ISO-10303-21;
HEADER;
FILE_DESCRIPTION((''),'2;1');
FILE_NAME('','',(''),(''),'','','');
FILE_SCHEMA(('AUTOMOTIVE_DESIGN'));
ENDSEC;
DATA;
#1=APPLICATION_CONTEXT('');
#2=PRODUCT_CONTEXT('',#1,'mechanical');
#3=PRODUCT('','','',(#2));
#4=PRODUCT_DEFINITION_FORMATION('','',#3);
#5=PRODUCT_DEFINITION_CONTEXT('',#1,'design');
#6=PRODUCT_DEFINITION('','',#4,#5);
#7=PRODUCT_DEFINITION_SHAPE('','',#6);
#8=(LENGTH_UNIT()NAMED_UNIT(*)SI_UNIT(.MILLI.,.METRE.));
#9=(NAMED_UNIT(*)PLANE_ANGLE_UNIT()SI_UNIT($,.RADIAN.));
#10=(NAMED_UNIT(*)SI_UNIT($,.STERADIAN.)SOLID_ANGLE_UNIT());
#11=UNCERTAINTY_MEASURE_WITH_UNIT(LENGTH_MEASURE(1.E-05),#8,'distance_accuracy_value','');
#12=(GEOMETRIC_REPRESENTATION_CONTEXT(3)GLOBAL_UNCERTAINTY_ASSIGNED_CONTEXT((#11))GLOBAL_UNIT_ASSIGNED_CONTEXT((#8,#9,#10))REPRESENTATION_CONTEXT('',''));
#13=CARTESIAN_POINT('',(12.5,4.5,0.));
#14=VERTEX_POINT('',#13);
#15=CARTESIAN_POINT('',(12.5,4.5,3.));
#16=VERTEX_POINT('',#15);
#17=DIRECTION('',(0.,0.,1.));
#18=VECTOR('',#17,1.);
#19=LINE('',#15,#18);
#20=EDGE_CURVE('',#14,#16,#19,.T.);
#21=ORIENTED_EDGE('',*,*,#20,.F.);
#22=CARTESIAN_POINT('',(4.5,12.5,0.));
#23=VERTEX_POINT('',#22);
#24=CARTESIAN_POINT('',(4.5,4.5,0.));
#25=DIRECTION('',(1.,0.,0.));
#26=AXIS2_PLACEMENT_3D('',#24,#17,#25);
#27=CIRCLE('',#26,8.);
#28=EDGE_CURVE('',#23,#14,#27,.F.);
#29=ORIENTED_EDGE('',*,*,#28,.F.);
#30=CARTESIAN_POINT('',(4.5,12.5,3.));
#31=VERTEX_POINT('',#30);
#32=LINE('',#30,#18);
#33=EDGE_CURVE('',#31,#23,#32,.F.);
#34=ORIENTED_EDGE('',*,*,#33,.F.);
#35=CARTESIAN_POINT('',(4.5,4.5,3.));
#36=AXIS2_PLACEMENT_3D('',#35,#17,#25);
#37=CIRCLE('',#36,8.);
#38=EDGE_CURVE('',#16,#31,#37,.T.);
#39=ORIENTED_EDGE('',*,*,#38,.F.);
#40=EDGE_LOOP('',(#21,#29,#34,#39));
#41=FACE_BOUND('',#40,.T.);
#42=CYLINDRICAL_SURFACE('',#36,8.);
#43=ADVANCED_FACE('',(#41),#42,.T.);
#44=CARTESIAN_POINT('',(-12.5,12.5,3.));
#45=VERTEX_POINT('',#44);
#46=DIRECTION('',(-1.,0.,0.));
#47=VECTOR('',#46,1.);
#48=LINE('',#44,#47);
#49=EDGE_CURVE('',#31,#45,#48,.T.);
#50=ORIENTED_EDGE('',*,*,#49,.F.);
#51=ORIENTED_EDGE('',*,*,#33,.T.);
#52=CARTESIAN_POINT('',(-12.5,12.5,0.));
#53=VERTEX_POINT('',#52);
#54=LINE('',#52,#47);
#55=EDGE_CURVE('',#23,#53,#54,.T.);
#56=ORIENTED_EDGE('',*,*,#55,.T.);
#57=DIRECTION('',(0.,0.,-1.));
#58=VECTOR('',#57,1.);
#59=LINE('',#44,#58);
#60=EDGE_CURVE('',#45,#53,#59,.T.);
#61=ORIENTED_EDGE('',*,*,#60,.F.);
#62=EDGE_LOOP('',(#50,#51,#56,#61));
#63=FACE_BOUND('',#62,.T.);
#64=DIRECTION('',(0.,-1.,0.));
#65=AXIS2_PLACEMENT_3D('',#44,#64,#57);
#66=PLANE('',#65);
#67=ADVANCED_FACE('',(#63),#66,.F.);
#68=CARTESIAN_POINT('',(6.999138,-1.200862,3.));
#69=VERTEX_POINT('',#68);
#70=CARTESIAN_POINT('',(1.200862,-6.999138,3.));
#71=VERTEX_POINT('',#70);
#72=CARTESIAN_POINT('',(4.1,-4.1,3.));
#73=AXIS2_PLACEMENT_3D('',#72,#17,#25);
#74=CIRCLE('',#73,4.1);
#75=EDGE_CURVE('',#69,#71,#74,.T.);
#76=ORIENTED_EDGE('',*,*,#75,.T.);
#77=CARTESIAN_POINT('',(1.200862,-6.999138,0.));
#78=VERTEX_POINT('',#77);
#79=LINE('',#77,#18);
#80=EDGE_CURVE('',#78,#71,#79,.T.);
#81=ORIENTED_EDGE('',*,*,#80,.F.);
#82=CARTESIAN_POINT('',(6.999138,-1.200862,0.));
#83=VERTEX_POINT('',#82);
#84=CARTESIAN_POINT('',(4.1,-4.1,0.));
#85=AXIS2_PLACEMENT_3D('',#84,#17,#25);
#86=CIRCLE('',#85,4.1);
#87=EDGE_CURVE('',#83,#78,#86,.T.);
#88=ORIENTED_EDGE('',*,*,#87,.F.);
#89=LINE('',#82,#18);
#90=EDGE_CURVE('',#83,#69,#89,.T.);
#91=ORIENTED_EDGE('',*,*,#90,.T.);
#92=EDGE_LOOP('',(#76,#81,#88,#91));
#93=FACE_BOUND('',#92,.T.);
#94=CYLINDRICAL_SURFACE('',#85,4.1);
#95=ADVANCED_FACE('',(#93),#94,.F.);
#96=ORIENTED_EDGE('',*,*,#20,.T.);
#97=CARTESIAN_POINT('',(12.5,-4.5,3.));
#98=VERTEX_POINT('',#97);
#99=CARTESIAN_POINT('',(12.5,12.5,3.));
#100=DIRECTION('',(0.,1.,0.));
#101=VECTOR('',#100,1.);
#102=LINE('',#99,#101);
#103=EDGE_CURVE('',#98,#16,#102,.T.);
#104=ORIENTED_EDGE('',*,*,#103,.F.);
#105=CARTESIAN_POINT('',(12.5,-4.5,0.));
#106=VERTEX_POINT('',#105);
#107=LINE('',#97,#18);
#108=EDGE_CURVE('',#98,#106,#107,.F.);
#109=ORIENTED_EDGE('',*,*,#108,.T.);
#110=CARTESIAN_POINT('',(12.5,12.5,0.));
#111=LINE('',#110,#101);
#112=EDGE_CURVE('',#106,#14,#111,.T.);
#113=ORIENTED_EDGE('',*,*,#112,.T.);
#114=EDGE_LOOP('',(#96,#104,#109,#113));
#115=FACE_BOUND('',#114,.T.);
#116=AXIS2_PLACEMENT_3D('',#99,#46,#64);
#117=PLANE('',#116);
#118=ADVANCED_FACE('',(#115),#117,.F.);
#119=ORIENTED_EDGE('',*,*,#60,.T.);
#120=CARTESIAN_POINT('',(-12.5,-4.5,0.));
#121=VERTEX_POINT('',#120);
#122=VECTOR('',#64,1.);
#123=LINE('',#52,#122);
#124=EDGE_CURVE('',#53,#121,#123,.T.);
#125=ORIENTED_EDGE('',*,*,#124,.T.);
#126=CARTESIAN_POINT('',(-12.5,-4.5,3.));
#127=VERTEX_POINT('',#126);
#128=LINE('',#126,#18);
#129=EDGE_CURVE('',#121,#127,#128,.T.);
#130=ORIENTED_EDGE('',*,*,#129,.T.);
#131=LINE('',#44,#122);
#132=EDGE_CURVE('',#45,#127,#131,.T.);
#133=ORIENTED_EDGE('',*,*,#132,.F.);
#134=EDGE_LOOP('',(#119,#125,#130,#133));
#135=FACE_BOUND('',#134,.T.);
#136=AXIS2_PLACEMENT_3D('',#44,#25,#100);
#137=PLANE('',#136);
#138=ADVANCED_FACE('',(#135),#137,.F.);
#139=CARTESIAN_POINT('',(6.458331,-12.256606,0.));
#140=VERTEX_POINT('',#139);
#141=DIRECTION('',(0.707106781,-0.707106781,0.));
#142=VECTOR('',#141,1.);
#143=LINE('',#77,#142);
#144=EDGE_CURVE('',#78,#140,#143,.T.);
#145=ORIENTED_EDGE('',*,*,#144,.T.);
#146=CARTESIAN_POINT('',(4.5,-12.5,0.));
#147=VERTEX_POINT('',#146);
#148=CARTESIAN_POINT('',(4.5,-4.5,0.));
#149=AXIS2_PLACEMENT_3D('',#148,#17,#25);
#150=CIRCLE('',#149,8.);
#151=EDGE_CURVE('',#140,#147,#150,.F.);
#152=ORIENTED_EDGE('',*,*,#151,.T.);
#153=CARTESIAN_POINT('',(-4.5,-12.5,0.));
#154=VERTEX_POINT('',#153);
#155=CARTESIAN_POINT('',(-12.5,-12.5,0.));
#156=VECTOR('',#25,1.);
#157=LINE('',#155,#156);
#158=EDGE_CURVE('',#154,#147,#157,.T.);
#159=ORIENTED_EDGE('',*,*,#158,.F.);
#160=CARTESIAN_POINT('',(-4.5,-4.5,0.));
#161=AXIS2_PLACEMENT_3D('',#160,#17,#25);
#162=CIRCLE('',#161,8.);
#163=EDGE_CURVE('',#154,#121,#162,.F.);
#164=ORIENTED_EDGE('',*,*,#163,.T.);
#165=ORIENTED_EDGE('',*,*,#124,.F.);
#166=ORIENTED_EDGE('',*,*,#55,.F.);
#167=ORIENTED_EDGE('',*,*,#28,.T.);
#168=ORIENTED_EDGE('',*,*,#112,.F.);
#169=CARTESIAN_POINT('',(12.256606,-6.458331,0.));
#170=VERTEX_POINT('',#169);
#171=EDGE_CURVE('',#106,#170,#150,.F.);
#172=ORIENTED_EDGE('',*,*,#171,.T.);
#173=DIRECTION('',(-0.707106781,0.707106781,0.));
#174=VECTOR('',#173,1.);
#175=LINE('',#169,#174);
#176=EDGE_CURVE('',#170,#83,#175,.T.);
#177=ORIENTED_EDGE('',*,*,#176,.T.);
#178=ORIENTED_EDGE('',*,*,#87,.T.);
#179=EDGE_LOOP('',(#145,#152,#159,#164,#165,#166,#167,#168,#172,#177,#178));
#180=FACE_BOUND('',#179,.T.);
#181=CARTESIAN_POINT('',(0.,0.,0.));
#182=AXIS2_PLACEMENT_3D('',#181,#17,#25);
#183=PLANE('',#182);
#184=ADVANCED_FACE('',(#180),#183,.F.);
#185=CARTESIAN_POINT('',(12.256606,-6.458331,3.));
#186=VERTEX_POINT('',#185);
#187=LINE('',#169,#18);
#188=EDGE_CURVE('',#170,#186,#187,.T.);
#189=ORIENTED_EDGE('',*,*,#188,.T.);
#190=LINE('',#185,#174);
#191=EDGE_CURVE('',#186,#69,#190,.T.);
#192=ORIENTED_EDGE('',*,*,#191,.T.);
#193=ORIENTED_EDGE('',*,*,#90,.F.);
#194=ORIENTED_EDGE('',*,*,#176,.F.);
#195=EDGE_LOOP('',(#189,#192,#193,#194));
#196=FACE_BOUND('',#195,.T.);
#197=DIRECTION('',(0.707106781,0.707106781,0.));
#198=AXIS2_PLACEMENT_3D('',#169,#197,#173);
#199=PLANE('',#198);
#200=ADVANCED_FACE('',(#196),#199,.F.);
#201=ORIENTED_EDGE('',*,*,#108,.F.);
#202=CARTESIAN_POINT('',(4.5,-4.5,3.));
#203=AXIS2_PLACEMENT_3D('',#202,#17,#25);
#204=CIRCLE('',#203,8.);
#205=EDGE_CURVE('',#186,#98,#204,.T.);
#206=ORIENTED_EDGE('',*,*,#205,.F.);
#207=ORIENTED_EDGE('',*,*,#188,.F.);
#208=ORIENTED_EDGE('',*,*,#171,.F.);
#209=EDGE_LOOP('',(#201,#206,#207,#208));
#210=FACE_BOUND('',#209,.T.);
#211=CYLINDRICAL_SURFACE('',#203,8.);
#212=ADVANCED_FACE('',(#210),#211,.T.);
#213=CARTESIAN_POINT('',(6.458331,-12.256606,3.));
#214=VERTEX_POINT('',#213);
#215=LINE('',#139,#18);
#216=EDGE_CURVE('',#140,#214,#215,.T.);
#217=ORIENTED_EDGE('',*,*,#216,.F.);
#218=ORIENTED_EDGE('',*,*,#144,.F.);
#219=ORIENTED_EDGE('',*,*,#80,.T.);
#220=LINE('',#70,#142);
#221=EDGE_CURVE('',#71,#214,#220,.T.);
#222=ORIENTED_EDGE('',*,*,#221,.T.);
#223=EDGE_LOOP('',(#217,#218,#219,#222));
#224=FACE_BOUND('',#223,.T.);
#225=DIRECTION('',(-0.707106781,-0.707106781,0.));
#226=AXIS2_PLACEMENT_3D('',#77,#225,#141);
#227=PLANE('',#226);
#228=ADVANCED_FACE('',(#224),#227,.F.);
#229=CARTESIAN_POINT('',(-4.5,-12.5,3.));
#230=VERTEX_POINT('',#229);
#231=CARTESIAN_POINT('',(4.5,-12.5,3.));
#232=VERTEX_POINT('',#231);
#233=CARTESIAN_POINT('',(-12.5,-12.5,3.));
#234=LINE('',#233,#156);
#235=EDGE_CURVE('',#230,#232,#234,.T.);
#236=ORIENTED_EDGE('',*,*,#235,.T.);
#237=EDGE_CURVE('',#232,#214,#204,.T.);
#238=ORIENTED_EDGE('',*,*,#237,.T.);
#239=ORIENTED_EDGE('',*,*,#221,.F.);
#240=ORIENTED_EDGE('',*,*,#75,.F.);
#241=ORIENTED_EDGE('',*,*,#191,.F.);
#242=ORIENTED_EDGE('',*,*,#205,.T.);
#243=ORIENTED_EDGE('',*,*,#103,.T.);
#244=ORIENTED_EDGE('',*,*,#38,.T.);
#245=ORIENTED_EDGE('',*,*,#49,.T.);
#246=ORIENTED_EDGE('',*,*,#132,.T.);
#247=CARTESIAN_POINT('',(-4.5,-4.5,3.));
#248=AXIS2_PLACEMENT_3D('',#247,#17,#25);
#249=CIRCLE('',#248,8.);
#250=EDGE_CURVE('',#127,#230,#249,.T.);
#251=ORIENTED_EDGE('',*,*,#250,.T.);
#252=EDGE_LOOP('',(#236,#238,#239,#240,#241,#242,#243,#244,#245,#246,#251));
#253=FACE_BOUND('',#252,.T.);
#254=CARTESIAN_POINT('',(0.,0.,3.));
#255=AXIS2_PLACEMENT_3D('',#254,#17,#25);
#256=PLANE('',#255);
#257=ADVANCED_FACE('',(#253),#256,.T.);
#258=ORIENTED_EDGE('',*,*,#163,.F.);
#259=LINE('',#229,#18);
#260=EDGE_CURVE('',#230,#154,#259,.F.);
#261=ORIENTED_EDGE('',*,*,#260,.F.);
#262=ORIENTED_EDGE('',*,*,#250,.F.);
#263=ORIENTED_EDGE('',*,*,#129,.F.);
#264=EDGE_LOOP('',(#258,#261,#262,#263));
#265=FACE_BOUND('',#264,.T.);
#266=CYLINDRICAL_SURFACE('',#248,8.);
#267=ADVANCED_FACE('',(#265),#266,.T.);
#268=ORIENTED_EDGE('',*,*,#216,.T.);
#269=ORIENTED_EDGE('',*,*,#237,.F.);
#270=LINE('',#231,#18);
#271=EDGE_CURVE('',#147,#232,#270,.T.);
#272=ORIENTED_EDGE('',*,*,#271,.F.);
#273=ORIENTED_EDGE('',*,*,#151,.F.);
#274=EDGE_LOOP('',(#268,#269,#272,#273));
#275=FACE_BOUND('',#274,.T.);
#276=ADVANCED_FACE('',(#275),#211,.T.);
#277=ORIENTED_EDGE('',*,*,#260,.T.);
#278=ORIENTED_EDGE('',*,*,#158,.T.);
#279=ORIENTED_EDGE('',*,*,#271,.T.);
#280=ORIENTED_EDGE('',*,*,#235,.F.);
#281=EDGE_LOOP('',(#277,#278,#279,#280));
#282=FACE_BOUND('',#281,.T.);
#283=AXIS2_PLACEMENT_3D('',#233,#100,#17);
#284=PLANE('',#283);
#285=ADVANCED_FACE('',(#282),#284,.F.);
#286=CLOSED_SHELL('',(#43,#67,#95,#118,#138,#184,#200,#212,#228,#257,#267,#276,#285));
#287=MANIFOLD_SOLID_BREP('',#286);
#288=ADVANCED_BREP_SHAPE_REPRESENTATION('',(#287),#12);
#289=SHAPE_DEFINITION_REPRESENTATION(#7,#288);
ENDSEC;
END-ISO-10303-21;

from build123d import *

# Parameters (mm, degrees)
SKETCH_1_W          = 25
SKETCH_1_H          = 25
EXTRUDE_1_DEPTH     = 3
FILLET_1_R          = 8
FILLET_2_R          = 8
FILLET_3_R          = 8
SKETCH_2_R          = 4.1
CUT_EXTRUDE_1_DEPTH = 3
CUT_EXTRUDE_2_DEPTH = 3


with BuildPart() as part:
    # 草图1 → 凸台-拉伸1 (new body)
    with BuildSketch(Plane.XY):
        Rectangle(SKETCH_1_W, SKETCH_1_H)
    extrude(amount=EXTRUDE_1_DEPTH)

    # 圆角1
    fillet_1_edges = [part.edges().sort_by_distance(p)[0] for p in [
        (-12.5, -12.5, 1.5),
    ]]
    fillet(fillet_1_edges, radius=FILLET_1_R)

    # 圆角2
    fillet_2_edges = [part.edges().sort_by_distance(p)[0] for p in [
        (12.5, -12.5, 1.5),
    ]]
    fillet(fillet_2_edges, radius=FILLET_2_R)

    # 圆角3
    fillet_3_edges = [part.edges().sort_by_distance(p)[0] for p in [
        (12.5, 12.5, 1.5),
    ]]
    fillet(fillet_3_edges, radius=FILLET_3_R)

    # 草图2 → 切除-拉伸1 (cut)
    with BuildSketch(Plane.XY.offset(3)):
        with Locations((4.1, -4.1)):
            Circle(SKETCH_2_R)
    extrude(amount=-CUT_EXTRUDE_1_DEPTH, mode=Mode.SUBTRACT)

    # 草图3 → 切除-拉伸2 (cut)
    with BuildSketch(Plane.XY.offset(3)):
        with BuildLine():
            Line((12.256606279, -6.458330674), (6.999137803, -1.200862197))
            ThreePointArc((6.999137803, -1.200862197), (6.999137803, -6.999137803), (1.200862197, -6.999137803))
            Line((1.200862197, -6.999137803), (6.458330674, -12.256606279))
            ThreePointArc((6.458330674, -12.256606279), (10.156854249, -10.156854249), (12.256606279, -6.458330674))
        make_face()
    extrude(amount=-CUT_EXTRUDE_2_DEPTH, mode=Mode.SUBTRACT)


solid = part.part
